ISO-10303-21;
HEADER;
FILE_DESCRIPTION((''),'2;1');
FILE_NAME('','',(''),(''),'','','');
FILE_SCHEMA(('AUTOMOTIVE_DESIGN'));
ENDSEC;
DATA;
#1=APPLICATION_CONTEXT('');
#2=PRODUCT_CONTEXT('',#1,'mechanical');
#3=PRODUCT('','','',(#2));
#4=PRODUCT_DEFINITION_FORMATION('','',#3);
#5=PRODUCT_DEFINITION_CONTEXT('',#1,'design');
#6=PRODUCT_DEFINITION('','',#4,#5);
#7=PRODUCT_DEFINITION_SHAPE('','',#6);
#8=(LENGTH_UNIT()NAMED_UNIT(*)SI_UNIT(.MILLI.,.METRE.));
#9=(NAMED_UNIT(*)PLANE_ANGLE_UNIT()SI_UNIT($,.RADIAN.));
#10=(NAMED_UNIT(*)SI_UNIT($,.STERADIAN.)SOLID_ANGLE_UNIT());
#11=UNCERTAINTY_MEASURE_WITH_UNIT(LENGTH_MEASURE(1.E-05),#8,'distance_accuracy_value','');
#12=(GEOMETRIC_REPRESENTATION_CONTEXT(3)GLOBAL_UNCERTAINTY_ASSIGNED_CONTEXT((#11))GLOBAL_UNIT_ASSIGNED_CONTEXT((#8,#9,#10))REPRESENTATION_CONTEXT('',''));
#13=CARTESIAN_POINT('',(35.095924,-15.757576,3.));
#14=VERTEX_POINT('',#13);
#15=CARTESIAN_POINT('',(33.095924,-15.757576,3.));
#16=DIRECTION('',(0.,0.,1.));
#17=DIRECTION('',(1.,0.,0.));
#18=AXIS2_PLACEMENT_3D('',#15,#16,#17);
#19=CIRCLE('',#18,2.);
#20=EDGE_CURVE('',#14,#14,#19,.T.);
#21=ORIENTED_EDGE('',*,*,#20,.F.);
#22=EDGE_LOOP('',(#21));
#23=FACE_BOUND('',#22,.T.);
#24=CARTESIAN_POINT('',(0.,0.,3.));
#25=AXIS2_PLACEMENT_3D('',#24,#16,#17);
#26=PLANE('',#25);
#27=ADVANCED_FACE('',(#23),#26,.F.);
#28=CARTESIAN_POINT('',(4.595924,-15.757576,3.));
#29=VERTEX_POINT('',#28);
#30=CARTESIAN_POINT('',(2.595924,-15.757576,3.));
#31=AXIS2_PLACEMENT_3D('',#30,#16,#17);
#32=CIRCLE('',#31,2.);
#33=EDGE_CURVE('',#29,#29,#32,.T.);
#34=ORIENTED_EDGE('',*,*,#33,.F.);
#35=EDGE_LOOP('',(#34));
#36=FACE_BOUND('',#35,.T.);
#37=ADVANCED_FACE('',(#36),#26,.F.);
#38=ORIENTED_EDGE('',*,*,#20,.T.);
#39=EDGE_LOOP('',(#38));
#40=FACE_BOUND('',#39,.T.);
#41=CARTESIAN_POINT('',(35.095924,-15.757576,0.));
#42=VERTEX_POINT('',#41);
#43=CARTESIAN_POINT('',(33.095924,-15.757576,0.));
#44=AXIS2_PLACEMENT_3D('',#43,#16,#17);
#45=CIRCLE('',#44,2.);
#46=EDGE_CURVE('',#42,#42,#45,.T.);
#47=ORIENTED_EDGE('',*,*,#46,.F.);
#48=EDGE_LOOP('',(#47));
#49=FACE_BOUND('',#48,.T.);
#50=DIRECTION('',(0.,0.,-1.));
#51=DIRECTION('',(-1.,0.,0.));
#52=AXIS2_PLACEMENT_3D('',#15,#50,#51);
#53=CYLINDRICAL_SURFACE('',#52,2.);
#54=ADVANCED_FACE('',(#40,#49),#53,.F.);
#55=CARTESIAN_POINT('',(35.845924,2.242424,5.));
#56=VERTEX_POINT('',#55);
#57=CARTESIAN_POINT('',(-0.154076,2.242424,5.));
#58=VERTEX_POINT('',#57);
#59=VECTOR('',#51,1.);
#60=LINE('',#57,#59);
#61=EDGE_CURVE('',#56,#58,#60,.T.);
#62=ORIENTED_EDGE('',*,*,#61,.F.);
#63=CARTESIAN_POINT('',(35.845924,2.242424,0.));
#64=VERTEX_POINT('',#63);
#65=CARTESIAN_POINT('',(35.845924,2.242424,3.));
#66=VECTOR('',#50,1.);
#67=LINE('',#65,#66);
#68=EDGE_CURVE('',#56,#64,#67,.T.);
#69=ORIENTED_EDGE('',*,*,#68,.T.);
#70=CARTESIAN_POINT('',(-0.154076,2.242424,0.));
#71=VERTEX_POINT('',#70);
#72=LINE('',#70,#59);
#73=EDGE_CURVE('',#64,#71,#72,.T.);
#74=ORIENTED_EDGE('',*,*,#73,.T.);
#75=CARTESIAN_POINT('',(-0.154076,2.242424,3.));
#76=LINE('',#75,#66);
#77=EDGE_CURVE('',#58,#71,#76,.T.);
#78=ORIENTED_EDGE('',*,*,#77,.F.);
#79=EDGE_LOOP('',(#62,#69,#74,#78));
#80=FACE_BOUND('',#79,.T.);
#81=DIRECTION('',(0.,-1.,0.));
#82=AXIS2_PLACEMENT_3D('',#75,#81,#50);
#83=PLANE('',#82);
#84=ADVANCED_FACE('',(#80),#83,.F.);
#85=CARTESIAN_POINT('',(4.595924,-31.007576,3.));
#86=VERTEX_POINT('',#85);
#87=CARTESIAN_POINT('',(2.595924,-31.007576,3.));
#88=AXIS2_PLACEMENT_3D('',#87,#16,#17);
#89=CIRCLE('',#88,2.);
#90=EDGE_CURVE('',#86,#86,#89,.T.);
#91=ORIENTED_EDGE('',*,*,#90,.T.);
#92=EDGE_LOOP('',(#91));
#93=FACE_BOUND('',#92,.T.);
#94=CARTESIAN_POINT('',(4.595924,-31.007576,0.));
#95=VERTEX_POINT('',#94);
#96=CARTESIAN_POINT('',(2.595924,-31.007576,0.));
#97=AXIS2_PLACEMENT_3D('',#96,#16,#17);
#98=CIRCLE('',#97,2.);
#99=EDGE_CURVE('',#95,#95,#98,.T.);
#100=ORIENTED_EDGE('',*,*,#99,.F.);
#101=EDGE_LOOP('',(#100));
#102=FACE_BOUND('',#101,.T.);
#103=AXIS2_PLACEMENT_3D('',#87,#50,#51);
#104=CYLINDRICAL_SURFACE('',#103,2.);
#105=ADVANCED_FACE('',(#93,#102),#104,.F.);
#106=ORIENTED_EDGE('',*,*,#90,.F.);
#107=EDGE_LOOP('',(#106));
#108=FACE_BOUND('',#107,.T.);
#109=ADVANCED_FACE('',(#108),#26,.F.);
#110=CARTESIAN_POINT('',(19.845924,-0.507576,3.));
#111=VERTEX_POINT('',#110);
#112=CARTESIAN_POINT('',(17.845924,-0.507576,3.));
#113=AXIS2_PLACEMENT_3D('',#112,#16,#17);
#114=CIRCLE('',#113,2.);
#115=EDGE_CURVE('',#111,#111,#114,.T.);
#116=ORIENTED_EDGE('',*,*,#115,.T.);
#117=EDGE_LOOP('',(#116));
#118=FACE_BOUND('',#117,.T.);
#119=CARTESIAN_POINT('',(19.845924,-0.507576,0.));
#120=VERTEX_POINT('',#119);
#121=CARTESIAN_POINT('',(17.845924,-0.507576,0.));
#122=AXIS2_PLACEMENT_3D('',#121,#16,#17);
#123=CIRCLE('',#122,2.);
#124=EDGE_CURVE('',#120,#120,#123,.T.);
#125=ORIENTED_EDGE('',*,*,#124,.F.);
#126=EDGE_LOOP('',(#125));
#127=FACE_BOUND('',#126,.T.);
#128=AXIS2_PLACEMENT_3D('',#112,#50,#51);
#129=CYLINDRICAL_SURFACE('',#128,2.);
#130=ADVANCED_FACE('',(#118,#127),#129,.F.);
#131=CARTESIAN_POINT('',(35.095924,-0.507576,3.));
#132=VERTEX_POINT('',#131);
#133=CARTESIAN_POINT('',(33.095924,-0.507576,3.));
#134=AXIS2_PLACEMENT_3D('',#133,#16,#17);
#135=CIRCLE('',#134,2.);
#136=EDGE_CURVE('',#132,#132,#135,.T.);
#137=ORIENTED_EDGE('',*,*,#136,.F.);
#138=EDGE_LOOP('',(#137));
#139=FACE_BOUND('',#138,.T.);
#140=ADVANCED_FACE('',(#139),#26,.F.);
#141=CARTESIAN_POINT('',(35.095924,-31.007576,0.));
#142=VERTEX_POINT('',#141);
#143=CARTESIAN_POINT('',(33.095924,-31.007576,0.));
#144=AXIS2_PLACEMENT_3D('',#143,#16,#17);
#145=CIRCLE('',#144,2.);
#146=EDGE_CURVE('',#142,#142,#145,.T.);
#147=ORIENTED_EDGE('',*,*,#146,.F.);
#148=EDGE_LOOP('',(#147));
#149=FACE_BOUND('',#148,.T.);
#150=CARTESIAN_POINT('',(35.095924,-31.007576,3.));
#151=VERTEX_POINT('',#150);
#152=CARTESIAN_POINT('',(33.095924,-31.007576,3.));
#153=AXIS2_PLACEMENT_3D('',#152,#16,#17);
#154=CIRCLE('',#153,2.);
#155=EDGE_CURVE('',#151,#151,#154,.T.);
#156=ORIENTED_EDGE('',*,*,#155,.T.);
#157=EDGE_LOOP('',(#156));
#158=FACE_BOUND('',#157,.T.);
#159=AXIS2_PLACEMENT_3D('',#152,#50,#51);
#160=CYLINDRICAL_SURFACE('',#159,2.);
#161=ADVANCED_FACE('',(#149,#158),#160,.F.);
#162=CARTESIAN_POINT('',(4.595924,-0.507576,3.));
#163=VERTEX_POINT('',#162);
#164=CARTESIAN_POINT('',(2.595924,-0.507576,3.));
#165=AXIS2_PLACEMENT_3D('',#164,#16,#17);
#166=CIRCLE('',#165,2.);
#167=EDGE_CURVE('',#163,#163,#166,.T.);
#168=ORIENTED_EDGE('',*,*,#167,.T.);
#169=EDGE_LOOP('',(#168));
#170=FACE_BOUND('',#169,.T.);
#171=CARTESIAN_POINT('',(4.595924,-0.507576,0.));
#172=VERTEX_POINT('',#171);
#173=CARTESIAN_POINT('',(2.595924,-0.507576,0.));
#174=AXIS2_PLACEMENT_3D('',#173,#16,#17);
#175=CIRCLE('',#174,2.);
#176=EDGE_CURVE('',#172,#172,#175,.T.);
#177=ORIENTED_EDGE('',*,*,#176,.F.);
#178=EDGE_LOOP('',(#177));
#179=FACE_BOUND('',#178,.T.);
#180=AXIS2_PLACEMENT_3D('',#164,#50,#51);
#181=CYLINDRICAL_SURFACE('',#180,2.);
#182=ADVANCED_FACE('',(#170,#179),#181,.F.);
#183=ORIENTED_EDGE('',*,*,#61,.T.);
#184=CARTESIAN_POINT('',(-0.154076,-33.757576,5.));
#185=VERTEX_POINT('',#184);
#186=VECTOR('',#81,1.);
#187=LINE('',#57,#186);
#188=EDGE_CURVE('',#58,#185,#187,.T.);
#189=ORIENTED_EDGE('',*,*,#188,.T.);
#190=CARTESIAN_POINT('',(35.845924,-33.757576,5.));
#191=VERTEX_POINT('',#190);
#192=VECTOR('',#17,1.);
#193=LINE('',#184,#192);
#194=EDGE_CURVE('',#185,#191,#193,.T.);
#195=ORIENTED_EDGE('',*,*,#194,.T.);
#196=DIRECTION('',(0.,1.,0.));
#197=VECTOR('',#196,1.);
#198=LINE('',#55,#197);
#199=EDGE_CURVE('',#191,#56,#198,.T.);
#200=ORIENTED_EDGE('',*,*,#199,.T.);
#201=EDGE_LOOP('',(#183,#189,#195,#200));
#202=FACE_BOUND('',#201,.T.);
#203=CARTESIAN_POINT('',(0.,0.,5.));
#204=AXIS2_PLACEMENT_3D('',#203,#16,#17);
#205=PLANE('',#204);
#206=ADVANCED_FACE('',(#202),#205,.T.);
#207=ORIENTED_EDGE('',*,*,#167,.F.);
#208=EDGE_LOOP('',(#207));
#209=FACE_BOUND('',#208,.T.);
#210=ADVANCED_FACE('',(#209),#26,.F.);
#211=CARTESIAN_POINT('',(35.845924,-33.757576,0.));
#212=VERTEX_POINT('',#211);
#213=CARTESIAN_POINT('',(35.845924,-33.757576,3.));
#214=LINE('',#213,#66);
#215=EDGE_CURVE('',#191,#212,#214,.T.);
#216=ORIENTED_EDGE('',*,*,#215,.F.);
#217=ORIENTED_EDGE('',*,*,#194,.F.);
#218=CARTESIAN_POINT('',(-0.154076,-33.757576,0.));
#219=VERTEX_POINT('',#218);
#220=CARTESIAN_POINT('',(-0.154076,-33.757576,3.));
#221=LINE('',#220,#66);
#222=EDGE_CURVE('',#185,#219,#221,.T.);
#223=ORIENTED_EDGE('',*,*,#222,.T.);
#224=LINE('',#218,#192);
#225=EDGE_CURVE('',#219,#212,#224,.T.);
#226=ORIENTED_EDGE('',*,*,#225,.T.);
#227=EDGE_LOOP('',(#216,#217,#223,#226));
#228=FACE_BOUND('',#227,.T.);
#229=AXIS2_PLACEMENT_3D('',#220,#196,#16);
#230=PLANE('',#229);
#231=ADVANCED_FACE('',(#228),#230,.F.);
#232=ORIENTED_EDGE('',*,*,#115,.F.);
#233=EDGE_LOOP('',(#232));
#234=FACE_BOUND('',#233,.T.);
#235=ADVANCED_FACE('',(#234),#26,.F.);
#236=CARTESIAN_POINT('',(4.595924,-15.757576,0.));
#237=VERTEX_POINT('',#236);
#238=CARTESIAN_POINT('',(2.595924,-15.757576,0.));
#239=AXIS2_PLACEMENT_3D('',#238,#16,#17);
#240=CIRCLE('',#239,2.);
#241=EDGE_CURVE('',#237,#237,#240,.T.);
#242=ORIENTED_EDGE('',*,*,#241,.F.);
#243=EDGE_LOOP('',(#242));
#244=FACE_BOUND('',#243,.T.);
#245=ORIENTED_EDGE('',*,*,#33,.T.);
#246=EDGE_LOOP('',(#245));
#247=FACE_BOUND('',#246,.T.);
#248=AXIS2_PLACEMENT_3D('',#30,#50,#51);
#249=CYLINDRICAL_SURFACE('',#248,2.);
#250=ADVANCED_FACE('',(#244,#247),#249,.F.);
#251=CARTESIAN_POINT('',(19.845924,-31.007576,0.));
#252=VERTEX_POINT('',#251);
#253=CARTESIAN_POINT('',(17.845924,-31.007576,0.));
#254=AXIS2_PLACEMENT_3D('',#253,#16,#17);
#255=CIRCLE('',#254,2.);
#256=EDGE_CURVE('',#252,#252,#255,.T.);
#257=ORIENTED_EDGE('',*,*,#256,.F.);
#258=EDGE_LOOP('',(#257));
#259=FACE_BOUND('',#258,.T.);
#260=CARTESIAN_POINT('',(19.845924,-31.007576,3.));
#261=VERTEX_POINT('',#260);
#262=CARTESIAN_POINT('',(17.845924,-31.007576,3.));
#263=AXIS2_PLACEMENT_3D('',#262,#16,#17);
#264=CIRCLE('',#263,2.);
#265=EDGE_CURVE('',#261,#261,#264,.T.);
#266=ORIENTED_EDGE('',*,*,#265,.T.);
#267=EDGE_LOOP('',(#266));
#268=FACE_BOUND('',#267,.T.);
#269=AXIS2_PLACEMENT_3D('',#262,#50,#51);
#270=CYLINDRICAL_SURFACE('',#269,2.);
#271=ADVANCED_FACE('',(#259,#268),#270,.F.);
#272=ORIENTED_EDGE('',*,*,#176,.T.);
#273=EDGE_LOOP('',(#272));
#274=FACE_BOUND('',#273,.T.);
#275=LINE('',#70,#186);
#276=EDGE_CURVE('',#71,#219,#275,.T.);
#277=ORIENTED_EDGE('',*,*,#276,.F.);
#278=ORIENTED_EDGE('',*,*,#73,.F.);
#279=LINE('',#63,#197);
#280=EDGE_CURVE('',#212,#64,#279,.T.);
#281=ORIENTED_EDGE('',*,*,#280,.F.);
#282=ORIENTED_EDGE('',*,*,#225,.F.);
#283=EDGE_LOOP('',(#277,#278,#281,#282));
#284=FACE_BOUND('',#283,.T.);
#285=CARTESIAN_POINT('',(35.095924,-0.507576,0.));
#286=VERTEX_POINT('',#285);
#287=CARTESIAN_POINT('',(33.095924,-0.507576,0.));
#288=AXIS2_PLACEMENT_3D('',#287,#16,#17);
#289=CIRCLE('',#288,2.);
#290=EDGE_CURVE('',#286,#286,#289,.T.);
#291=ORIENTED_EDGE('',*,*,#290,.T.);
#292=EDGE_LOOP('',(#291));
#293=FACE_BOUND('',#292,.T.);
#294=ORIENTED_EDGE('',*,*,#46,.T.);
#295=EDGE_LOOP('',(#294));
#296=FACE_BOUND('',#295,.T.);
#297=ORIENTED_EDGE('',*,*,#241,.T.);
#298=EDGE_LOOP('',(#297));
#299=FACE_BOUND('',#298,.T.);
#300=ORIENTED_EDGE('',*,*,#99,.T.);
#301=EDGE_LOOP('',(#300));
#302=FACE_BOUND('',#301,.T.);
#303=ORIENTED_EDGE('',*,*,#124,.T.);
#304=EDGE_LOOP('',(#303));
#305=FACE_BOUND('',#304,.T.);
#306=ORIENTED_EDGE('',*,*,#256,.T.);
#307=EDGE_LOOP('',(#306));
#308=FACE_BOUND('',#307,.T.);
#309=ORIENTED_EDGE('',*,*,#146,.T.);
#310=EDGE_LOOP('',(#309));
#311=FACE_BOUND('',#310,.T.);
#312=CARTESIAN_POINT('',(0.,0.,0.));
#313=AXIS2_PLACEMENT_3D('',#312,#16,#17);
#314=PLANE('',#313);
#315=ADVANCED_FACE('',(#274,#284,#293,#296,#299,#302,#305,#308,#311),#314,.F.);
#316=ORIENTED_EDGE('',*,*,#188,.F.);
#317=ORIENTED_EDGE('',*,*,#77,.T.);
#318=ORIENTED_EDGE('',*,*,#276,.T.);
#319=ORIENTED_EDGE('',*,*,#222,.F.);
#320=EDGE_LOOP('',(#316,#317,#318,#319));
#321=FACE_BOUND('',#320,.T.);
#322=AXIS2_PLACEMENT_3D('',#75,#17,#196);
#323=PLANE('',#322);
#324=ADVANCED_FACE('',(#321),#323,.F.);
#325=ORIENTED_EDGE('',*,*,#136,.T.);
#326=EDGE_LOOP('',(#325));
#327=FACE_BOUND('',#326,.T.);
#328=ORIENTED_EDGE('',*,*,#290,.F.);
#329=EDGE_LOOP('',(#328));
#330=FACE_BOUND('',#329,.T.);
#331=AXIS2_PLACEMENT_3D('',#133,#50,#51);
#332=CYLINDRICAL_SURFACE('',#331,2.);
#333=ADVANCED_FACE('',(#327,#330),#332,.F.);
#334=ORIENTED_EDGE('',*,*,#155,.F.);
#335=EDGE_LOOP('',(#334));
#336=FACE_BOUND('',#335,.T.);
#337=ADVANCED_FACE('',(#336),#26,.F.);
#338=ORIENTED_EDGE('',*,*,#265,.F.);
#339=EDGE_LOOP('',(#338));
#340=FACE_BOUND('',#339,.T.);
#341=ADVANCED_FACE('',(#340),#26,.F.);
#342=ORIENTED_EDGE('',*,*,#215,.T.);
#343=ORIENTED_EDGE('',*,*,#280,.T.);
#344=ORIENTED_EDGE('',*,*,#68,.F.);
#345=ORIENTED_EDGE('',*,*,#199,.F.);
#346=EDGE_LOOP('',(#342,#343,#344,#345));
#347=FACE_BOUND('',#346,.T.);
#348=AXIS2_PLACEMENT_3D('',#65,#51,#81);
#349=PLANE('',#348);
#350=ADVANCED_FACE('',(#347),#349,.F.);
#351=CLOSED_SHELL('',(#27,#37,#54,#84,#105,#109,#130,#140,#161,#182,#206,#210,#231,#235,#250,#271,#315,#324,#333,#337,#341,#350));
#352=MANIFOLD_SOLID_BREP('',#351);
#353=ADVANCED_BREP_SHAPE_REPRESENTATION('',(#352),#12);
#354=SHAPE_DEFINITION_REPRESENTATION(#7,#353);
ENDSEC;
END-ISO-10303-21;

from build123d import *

# Parameters (mm, degrees)
SKETCH_1_W      = 36
SKETCH_1_H      = 36
SKETCH_1_R      = 2
EXTRUDE_1_DEPTH = 3
SKETCH_2_W      = 36
SKETCH_2_H      = 36
EXTRUDE_2_DEPTH = 2


with BuildPart() as part:
    # 스케치1 → 보스-돌출1 (new body)
    with BuildSketch(Plane.XY):
        with Locations((17.845923561, -15.757575758)):
            Rectangle(SKETCH_1_W, SKETCH_1_H)
        with Locations((2.595923561, -0.507575758)):
            Circle(SKETCH_1_R, mode=Mode.SUBTRACT)
        with Locations((17.845923561, -0.507575758)):
            Circle(SKETCH_1_R, mode=Mode.SUBTRACT)
        with Locations((33.095923561, -0.507575758)):
            Circle(SKETCH_1_R, mode=Mode.SUBTRACT)
        with Locations((33.095923561, -15.757575758)):
            Circle(SKETCH_1_R, mode=Mode.SUBTRACT)
        with Locations((33.095923561, -31.007575758)):
            Circle(SKETCH_1_R, mode=Mode.SUBTRACT)
        with Locations((17.845923561, -31.007575758)):
            Circle(SKETCH_1_R, mode=Mode.SUBTRACT)
        with Locations((2.595923561, -31.007575758)):
            Circle(SKETCH_1_R, mode=Mode.SUBTRACT)
        with Locations((2.595923561, -15.757575758)):
            Circle(SKETCH_1_R, mode=Mode.SUBTRACT)
    extrude(amount=EXTRUDE_1_DEPTH)

    # 스케치2 → 보스-돌출2 (add)
    with BuildSketch(Plane.XY.offset(3)):
        with Locations((17.845923561, -15.757575758)):
            Rectangle(SKETCH_2_W, SKETCH_2_H)
    extrude(amount=EXTRUDE_2_DEPTH)


solid = part.part
